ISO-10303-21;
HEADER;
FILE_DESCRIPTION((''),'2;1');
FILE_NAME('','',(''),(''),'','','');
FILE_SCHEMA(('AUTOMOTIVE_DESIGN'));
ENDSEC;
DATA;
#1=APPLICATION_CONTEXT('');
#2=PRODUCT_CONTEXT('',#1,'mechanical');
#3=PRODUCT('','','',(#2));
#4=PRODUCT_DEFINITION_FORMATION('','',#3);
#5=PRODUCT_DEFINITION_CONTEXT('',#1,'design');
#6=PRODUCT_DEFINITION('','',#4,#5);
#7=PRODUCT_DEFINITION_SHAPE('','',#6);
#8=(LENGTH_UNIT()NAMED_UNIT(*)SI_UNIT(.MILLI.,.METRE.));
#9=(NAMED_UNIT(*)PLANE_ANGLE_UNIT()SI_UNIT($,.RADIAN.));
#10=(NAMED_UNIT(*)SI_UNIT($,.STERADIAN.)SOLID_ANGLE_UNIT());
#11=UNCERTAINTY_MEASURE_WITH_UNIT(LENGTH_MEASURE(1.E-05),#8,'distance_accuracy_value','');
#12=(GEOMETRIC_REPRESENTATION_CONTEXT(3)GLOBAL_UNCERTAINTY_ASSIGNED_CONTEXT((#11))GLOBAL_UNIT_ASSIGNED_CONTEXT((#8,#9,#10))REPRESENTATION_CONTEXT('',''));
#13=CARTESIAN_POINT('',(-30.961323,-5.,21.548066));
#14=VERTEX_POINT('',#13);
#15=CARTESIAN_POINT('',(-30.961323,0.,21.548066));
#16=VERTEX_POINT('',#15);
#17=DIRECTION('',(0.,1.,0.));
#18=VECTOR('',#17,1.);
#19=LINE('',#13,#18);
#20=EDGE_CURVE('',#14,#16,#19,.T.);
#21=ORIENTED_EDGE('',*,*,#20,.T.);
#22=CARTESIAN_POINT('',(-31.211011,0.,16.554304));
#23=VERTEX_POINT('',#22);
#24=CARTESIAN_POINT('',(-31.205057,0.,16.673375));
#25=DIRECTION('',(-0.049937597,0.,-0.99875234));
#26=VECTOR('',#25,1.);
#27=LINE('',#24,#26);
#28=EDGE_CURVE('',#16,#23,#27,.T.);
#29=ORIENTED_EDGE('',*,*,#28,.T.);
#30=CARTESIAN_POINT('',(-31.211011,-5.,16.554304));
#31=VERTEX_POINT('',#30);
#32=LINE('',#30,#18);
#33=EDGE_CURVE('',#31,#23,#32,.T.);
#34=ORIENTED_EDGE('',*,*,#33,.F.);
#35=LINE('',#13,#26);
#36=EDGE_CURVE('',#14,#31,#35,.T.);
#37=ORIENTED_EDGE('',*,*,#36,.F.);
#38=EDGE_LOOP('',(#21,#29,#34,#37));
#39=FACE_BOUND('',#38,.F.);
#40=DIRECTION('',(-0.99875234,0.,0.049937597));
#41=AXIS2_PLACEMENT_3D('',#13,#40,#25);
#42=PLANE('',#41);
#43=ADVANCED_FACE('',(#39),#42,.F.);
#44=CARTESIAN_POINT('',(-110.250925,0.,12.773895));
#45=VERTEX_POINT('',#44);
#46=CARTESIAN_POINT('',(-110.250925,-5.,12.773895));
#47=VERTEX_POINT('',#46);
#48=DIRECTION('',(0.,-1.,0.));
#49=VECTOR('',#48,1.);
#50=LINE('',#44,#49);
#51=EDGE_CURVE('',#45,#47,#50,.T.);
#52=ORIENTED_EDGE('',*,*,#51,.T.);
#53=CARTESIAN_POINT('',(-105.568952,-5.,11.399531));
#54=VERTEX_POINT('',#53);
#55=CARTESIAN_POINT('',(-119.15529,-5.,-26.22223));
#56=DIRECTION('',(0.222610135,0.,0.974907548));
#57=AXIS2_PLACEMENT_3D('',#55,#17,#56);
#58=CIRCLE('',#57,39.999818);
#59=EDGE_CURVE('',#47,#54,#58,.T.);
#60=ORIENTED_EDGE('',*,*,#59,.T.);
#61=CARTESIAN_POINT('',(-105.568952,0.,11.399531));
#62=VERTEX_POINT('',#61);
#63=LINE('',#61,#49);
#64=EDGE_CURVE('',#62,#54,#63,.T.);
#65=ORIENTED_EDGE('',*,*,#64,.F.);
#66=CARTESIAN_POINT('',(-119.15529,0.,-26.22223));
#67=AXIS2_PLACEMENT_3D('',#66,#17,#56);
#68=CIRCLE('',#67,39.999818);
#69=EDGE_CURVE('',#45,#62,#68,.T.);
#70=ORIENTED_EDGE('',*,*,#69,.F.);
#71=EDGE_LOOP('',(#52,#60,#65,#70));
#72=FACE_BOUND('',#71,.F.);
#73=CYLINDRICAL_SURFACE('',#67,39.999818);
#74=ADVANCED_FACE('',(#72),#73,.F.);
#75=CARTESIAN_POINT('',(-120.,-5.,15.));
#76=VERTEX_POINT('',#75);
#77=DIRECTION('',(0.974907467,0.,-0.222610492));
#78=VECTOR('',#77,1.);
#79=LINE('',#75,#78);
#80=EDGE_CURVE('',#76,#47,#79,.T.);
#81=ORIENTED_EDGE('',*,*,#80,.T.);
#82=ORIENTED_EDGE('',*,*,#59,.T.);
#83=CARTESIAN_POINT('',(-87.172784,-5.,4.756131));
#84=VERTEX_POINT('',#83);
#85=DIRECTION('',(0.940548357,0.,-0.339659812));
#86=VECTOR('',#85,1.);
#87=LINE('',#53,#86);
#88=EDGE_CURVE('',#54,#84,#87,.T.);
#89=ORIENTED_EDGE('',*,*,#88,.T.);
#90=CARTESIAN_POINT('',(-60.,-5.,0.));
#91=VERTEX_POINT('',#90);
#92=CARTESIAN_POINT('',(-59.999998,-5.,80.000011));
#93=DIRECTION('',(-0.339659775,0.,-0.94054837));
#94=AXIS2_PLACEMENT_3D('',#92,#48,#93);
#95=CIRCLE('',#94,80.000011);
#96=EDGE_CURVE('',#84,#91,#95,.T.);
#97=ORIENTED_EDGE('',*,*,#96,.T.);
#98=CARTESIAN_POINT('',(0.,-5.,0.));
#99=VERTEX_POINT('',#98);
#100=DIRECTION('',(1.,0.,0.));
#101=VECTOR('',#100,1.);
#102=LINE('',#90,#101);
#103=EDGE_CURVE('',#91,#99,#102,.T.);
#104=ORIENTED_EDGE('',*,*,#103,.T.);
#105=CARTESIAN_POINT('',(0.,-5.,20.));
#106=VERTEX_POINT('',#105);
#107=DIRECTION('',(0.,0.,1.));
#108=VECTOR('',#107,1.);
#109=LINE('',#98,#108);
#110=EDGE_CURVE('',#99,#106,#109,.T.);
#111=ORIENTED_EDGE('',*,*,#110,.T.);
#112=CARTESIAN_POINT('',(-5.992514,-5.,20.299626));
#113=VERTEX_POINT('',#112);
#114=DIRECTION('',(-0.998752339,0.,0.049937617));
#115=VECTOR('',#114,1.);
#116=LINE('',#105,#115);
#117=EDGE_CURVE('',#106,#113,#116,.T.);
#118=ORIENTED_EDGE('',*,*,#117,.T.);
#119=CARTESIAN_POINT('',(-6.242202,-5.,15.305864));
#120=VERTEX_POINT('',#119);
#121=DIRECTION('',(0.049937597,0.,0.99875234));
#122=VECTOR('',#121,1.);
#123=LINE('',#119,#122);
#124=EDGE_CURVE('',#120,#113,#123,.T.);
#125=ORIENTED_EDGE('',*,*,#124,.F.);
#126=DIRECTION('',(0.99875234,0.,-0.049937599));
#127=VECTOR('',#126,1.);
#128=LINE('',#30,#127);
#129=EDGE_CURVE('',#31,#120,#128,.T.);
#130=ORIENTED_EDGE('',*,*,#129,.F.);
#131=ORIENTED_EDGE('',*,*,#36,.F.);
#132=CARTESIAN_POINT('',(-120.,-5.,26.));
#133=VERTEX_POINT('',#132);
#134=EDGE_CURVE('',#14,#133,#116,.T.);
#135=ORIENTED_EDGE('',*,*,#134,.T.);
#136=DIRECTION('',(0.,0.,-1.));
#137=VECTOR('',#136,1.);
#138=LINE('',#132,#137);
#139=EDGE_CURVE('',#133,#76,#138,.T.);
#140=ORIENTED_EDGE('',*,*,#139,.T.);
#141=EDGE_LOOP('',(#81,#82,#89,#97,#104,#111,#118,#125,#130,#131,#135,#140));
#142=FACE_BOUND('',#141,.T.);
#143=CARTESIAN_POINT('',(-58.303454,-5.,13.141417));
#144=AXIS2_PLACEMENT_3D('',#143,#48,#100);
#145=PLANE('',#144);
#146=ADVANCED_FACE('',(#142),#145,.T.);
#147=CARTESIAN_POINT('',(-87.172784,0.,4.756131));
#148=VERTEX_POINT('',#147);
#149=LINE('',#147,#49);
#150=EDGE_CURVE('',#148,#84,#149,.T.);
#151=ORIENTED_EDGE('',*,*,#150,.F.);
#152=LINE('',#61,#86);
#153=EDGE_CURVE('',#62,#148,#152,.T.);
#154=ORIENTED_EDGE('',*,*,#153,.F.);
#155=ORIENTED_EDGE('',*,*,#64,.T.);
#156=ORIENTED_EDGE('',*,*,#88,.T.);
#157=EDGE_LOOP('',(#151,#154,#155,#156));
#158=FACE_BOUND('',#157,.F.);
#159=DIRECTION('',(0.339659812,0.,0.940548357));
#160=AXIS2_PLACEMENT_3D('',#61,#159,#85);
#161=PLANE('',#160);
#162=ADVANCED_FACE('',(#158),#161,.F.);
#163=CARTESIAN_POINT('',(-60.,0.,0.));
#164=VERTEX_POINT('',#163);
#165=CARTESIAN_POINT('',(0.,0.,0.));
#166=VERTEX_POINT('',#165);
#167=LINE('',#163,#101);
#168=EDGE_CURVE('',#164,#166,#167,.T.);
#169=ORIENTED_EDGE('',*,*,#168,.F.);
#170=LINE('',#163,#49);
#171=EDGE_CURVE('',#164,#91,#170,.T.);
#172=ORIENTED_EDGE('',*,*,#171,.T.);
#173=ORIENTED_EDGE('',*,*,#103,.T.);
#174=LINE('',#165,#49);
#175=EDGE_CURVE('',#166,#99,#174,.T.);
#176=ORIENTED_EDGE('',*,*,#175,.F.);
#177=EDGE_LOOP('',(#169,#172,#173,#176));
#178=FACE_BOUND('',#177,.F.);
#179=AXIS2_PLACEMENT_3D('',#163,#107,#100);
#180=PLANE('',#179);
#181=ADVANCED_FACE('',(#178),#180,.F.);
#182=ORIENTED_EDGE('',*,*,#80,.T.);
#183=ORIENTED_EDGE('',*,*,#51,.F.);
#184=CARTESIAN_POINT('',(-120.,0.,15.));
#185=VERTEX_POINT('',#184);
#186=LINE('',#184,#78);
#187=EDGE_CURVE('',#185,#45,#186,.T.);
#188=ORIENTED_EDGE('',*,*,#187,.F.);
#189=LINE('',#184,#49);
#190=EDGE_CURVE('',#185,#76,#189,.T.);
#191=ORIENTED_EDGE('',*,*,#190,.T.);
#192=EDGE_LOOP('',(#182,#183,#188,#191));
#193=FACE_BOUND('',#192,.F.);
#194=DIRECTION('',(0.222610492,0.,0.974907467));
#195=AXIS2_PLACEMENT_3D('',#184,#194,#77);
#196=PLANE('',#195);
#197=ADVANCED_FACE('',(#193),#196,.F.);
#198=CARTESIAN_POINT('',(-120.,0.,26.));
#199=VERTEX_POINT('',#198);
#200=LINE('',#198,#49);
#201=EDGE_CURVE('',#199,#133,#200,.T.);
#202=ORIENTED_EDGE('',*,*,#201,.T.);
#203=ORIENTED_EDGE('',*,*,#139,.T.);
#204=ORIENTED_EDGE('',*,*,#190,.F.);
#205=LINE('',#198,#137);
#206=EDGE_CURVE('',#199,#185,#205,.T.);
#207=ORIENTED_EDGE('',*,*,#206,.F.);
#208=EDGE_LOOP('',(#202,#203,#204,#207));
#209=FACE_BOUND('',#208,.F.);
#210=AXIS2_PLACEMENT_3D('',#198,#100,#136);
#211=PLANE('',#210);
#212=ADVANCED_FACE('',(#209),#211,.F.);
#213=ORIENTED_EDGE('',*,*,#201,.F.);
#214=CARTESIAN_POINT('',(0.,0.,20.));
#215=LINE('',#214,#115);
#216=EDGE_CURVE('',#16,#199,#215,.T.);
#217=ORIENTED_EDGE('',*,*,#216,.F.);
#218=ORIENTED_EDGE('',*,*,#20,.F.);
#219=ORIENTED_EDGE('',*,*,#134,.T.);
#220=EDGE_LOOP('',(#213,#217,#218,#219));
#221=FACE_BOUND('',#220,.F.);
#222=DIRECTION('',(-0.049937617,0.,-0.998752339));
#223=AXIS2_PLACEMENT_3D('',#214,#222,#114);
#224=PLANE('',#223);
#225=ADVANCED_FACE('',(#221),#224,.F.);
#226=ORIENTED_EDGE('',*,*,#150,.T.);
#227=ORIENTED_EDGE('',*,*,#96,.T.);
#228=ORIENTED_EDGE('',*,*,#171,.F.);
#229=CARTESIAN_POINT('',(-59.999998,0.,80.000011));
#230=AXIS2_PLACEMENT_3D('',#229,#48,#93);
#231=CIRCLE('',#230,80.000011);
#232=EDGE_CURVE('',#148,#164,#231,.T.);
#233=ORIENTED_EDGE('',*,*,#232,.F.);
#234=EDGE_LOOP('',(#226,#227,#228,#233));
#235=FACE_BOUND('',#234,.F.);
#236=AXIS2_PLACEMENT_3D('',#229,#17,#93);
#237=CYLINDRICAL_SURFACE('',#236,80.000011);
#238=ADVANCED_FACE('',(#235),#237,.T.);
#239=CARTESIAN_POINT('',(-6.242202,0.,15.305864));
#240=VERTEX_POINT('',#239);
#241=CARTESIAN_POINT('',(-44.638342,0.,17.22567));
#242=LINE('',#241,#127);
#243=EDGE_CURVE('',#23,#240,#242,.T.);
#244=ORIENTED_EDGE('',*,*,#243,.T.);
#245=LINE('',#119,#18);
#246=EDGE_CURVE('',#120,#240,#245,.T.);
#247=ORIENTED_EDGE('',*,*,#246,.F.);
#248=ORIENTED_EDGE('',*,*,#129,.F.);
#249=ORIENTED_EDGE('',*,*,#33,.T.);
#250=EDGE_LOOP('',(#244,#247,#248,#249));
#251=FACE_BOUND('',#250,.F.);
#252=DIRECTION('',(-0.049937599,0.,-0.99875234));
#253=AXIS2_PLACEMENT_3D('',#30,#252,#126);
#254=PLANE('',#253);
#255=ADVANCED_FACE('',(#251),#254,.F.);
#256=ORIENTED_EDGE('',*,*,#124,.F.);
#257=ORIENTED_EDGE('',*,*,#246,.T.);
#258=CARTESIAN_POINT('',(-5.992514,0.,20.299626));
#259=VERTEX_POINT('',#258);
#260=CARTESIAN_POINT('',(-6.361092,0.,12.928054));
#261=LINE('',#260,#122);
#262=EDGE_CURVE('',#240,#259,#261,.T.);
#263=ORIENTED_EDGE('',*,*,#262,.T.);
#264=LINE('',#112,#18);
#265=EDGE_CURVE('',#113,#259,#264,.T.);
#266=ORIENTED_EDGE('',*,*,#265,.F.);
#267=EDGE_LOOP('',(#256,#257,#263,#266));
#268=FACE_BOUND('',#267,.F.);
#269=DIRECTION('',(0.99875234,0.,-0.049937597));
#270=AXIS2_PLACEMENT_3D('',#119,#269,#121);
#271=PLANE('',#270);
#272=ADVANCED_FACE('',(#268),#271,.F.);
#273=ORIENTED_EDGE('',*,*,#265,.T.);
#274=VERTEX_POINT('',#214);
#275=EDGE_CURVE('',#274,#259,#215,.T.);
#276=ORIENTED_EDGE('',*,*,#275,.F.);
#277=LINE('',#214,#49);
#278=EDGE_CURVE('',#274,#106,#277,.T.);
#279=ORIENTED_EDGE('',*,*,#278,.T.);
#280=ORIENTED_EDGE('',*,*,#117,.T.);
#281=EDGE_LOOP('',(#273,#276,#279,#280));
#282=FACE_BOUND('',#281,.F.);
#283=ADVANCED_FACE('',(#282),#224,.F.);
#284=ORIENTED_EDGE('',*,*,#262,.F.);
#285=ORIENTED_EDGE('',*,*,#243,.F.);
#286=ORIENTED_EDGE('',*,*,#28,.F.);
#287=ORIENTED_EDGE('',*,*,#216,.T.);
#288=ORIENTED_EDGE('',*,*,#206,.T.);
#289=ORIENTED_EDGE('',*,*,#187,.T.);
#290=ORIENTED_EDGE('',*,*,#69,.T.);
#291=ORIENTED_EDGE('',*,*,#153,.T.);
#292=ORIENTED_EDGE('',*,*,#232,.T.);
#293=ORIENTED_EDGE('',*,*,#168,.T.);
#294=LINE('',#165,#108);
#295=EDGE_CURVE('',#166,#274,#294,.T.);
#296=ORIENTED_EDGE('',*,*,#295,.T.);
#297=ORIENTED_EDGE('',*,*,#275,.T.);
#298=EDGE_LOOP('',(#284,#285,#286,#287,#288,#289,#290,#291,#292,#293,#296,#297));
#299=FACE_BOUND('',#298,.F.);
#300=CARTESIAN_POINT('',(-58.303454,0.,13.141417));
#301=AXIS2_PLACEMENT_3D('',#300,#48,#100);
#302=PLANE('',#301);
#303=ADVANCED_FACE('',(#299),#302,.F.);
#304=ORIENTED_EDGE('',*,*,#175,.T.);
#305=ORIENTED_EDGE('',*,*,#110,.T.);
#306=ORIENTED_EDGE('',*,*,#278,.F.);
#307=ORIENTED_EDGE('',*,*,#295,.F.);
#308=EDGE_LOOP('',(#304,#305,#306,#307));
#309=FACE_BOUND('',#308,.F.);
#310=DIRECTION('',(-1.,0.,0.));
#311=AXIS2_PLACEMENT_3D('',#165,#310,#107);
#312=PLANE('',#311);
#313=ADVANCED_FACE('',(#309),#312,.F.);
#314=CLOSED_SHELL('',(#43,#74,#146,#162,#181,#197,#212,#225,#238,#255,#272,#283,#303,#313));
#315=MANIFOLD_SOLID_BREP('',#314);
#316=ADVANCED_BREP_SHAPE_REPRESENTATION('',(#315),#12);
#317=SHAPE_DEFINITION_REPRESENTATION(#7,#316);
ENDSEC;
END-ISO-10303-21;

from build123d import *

# Parameters (mm, degrees)
F1_DEPTH = 5
F3_DEPTH = 25


with BuildPart() as f1:
    # F0 (on Front) → F1 (new body)
    with BuildSketch(Plane.XZ):
        with BuildLine():
            Line((0, 20), (-120, 26))
            Line((-120, 26), (-120, 15))
            Line((-120, 15), (-110.250925, 12.773895))
            ThreePointArc((-110.250925, 12.773895), (-107.888962, 12.158173), (-105.568952, 11.399531))
            Line((-105.568952, 11.399531), (-87.172784, 4.756131))
            ThreePointArc((-87.172784, 4.756131), (-73.792942, 1.198003), (-60, 0))
            Line((-60, 0), (0, 0))
            Line((0, 0), (0, 20))
        make_face()
    extrude(amount=F1_DEPTH)

    # F2 (on face) → F3 (cut)
    with BuildSketch(Plane.XZ.offset(5)):
        Polygon((-6.242202, 15.305864), (-5.992514, 20.299626), (-30.961323, 21.548066), (-31.211011, 16.554304), align=None)
    extrude(amount=-F3_DEPTH, mode=Mode.SUBTRACT)


solid = f1.part
